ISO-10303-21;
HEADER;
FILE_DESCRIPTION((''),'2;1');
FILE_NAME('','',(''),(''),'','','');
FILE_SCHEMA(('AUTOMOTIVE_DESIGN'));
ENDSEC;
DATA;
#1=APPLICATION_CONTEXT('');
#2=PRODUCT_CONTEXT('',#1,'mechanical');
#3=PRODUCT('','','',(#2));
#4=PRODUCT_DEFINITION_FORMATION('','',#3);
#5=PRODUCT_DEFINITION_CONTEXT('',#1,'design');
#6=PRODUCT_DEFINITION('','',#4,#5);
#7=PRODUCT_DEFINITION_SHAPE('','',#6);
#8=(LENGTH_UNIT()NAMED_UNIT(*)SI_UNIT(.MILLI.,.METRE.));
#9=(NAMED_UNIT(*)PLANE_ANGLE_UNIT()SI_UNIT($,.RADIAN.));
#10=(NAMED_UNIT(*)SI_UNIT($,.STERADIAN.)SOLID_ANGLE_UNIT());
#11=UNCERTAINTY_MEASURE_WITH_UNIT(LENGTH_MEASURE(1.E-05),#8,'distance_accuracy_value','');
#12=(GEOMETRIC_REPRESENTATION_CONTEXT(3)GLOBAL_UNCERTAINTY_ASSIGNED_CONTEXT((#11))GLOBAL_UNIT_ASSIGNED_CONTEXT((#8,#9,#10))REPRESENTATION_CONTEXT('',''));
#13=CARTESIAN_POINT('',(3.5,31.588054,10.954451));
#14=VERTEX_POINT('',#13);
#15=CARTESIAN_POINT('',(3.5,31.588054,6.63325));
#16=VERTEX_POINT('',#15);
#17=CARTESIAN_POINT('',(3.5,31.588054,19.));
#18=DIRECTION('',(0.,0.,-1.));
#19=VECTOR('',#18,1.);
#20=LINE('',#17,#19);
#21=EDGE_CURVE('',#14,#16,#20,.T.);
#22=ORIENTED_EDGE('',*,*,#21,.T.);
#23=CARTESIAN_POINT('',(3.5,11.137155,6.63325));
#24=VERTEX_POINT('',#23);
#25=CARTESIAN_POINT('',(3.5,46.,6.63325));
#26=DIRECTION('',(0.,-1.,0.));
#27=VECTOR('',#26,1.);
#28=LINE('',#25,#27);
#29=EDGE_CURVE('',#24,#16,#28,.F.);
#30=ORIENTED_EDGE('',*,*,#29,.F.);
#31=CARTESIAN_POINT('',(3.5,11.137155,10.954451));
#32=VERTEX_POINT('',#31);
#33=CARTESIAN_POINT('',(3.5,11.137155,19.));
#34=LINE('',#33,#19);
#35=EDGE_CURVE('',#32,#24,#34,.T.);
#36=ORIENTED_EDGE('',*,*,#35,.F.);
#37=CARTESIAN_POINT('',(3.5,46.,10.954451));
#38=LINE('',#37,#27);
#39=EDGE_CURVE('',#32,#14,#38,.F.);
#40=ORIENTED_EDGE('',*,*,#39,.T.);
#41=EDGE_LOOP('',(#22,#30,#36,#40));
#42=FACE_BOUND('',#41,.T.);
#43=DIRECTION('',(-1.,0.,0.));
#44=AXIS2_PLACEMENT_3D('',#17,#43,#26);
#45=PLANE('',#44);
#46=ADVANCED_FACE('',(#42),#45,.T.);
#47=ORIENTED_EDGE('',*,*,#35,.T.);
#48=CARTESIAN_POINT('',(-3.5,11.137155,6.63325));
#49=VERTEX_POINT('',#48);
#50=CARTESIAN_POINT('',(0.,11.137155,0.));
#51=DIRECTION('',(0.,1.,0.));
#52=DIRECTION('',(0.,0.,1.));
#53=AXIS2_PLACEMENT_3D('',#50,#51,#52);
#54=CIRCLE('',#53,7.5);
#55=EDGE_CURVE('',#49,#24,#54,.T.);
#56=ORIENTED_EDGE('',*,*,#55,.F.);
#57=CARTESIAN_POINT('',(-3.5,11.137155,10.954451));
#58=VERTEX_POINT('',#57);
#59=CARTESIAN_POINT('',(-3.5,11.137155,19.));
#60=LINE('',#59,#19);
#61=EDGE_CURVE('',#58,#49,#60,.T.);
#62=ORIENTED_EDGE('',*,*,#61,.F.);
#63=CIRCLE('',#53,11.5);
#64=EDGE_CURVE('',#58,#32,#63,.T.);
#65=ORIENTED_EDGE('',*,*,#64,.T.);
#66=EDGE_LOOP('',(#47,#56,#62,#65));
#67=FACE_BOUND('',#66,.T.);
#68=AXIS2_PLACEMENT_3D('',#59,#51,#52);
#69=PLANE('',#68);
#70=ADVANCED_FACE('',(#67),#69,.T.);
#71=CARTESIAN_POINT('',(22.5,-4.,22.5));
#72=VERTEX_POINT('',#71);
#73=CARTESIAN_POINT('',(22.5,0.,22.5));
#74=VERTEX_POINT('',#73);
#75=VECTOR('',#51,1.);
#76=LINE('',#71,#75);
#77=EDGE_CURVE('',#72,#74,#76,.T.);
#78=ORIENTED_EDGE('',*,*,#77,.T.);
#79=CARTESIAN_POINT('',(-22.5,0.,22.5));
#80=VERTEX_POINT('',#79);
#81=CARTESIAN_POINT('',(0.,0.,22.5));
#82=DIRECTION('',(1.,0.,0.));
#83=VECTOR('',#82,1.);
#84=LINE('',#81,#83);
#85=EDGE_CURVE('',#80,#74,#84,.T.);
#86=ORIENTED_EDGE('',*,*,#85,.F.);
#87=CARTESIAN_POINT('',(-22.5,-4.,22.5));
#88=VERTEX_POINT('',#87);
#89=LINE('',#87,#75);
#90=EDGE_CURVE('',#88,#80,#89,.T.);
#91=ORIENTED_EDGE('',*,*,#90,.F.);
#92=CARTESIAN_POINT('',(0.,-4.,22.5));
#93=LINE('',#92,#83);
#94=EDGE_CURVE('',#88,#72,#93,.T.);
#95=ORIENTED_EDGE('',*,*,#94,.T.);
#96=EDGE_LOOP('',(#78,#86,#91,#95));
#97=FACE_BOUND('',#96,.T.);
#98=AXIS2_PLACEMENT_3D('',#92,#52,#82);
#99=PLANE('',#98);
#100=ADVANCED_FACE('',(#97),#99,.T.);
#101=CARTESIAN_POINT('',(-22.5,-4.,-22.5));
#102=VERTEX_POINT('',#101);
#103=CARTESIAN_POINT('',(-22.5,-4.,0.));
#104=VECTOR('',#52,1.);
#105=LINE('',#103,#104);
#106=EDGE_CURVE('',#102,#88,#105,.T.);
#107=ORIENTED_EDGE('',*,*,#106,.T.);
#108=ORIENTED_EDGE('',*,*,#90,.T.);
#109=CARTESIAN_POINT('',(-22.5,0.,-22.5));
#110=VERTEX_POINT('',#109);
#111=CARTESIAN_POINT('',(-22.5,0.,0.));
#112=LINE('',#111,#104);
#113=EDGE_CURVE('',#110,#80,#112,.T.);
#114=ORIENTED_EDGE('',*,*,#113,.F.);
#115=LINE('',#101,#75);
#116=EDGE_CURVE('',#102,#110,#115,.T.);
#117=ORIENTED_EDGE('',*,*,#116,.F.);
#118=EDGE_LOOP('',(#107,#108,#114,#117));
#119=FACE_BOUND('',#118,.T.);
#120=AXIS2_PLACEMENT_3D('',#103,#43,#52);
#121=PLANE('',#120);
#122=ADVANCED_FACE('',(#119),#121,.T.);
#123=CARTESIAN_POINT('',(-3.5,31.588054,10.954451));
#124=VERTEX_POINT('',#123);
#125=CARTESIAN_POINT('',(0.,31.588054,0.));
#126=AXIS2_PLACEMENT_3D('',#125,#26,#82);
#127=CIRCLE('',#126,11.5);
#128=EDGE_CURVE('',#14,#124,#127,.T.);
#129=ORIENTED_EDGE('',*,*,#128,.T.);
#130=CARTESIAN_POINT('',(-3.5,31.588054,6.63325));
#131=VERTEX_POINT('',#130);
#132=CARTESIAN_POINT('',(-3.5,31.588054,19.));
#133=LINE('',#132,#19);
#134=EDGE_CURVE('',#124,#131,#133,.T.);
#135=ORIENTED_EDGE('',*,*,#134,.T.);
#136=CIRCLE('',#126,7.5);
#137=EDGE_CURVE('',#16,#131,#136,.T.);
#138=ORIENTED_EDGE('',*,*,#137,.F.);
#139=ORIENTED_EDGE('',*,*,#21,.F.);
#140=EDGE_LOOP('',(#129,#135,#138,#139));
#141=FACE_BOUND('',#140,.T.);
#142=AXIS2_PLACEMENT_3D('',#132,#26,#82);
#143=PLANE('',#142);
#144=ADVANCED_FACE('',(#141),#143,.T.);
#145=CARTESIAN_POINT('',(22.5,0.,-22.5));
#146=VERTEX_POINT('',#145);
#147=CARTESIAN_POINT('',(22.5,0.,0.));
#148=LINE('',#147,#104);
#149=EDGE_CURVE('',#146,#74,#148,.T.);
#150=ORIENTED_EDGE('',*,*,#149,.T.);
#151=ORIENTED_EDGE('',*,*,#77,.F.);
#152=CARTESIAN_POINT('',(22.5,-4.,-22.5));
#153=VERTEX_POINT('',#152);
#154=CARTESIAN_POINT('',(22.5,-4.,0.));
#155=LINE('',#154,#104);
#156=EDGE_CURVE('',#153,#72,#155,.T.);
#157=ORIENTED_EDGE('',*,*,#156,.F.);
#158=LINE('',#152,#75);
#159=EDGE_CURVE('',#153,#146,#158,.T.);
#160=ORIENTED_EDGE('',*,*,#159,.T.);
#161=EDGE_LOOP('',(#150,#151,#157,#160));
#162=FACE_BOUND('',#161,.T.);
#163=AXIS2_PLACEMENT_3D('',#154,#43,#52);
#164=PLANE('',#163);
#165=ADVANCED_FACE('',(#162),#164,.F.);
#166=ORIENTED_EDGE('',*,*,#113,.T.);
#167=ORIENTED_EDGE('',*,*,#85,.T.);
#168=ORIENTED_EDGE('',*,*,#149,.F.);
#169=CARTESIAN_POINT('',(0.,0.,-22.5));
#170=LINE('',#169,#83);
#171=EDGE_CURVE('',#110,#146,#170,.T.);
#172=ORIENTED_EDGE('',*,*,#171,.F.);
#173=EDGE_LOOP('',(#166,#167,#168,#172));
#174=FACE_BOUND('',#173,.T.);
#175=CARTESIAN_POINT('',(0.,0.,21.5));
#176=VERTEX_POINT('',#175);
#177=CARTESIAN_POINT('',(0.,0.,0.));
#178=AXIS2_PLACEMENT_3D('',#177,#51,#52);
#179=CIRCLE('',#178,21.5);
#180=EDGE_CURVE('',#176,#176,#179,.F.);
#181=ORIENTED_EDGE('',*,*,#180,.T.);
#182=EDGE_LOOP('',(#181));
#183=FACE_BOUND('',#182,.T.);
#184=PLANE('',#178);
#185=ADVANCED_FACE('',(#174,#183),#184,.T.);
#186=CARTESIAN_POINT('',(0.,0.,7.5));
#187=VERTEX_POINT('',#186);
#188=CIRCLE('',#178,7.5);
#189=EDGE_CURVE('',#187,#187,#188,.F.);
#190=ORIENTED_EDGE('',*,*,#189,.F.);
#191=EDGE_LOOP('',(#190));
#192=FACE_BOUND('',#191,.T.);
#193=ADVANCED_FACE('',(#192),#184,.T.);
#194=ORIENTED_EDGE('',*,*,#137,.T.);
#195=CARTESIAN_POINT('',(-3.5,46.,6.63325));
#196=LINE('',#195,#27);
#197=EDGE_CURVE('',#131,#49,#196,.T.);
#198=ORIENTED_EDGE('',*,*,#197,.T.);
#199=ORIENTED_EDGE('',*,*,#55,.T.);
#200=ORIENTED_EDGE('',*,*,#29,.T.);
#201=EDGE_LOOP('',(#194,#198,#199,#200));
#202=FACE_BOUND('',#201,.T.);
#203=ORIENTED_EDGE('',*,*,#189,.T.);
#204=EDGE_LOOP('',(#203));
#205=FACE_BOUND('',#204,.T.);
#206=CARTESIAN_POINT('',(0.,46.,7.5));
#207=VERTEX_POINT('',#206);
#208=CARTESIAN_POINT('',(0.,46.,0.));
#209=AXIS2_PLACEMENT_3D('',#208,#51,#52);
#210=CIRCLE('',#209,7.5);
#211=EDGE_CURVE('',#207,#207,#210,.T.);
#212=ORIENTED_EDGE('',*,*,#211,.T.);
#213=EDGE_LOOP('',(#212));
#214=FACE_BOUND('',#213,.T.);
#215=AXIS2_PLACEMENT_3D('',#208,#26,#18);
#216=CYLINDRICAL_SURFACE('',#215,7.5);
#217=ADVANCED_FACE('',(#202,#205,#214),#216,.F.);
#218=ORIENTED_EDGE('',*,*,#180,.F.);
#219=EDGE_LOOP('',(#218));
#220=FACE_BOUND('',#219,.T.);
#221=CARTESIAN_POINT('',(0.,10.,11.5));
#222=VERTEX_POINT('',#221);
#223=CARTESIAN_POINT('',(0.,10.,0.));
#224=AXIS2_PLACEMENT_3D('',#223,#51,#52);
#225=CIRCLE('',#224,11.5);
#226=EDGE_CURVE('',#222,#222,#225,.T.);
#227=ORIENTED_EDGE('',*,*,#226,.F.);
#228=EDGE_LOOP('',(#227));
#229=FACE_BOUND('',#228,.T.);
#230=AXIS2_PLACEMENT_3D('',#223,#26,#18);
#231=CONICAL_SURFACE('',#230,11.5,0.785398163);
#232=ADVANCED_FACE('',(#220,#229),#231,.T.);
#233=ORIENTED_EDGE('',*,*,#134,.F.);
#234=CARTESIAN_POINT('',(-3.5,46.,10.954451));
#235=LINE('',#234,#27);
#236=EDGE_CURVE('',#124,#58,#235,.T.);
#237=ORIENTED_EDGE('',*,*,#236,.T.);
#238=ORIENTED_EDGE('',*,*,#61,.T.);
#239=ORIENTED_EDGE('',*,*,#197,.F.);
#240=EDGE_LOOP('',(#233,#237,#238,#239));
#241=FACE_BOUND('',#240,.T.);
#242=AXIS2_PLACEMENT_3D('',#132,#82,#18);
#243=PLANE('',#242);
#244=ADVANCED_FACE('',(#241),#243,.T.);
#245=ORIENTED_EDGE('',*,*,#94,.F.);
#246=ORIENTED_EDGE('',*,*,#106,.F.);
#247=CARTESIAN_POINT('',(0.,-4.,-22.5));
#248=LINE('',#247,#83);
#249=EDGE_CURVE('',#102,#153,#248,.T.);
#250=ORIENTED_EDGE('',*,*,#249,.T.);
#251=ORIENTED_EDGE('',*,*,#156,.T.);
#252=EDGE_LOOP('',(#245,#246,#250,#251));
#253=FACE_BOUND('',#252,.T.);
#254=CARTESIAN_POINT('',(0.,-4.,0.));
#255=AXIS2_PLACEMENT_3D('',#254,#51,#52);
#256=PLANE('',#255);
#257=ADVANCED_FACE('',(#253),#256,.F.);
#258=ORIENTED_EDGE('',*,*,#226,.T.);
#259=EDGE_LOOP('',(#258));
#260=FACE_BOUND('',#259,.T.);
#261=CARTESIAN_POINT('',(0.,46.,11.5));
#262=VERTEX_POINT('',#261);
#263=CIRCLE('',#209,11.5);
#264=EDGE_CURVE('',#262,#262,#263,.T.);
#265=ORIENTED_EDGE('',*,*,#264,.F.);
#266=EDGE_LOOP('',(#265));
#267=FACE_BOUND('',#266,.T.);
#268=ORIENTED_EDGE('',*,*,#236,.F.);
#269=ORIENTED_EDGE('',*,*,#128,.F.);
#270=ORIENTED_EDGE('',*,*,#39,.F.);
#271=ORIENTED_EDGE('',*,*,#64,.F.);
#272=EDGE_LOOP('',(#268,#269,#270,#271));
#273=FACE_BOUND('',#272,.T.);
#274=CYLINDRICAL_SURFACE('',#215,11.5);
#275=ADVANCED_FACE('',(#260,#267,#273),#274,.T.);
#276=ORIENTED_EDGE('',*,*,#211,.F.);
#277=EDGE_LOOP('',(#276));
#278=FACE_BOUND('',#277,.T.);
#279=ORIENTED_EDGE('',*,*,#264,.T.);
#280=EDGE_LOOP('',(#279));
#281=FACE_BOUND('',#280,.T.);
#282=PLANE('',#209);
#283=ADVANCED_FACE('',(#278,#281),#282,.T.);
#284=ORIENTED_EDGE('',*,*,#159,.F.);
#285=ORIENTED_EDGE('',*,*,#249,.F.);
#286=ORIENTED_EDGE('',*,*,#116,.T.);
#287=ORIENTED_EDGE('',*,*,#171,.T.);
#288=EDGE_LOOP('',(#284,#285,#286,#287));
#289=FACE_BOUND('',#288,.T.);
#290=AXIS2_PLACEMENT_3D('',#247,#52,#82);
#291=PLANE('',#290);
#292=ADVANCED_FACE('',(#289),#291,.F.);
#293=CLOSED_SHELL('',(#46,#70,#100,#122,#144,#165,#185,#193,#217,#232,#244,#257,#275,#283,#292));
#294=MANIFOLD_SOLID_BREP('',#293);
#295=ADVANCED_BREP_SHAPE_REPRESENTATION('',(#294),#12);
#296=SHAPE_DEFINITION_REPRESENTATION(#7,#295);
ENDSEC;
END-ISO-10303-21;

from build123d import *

# Parameters (mm, degrees)
SKETCH2_W           = 45
SKETCH2_H           = 45
BOSS_EXTRUDE1_DEPTH = 4
SKETCH2_3_R         = 11.5
SKETCH2_3_R_2       = 7.5
BOSS_EXTRUDE2_DEPTH = 46
CHAMFER1_SIZE       = 10
SKETCH3_W           = 7
SKETCH3_H           = 20.450898806
CUT_EXTRUDE1_DEPTH  = 19


with BuildPart() as part:
    # Sketch2 → Boss-Extrude1 (new body)
    with BuildSketch(Plane(origin=(0, 0, 0), x_dir=(1, 0, 0), z_dir=(0, 1, 0))):
        Rectangle(SKETCH2_W, SKETCH2_H)
    extrude(amount=-BOSS_EXTRUDE1_DEPTH)

    # Sketch2<3> → Boss-Extrude2 (add)
    with BuildSketch(Plane(origin=(0, 0, 0), x_dir=(1, 0, 0), z_dir=(0, 1, 0))):
        Circle(SKETCH2_3_R)
        Circle(SKETCH2_3_R_2, mode=Mode.SUBTRACT)
    extrude(amount=BOSS_EXTRUDE2_DEPTH)

    # Chamfer1
    chamfer1_edges = [part.edges().sort_by_distance(p)[0] for p in [
        (-11.5, 0, 0),
    ]]
    chamfer(chamfer1_edges, length=CHAMFER1_SIZE)

    # Sketch3 → Cut-Extrude1 (cut)
    with BuildSketch(Plane.XY):
        with Locations((0, 21.362604589)):
            Rectangle(SKETCH3_W, SKETCH3_H)
    extrude(amount=CUT_EXTRUDE1_DEPTH, mode=Mode.SUBTRACT)


solid = part.part
